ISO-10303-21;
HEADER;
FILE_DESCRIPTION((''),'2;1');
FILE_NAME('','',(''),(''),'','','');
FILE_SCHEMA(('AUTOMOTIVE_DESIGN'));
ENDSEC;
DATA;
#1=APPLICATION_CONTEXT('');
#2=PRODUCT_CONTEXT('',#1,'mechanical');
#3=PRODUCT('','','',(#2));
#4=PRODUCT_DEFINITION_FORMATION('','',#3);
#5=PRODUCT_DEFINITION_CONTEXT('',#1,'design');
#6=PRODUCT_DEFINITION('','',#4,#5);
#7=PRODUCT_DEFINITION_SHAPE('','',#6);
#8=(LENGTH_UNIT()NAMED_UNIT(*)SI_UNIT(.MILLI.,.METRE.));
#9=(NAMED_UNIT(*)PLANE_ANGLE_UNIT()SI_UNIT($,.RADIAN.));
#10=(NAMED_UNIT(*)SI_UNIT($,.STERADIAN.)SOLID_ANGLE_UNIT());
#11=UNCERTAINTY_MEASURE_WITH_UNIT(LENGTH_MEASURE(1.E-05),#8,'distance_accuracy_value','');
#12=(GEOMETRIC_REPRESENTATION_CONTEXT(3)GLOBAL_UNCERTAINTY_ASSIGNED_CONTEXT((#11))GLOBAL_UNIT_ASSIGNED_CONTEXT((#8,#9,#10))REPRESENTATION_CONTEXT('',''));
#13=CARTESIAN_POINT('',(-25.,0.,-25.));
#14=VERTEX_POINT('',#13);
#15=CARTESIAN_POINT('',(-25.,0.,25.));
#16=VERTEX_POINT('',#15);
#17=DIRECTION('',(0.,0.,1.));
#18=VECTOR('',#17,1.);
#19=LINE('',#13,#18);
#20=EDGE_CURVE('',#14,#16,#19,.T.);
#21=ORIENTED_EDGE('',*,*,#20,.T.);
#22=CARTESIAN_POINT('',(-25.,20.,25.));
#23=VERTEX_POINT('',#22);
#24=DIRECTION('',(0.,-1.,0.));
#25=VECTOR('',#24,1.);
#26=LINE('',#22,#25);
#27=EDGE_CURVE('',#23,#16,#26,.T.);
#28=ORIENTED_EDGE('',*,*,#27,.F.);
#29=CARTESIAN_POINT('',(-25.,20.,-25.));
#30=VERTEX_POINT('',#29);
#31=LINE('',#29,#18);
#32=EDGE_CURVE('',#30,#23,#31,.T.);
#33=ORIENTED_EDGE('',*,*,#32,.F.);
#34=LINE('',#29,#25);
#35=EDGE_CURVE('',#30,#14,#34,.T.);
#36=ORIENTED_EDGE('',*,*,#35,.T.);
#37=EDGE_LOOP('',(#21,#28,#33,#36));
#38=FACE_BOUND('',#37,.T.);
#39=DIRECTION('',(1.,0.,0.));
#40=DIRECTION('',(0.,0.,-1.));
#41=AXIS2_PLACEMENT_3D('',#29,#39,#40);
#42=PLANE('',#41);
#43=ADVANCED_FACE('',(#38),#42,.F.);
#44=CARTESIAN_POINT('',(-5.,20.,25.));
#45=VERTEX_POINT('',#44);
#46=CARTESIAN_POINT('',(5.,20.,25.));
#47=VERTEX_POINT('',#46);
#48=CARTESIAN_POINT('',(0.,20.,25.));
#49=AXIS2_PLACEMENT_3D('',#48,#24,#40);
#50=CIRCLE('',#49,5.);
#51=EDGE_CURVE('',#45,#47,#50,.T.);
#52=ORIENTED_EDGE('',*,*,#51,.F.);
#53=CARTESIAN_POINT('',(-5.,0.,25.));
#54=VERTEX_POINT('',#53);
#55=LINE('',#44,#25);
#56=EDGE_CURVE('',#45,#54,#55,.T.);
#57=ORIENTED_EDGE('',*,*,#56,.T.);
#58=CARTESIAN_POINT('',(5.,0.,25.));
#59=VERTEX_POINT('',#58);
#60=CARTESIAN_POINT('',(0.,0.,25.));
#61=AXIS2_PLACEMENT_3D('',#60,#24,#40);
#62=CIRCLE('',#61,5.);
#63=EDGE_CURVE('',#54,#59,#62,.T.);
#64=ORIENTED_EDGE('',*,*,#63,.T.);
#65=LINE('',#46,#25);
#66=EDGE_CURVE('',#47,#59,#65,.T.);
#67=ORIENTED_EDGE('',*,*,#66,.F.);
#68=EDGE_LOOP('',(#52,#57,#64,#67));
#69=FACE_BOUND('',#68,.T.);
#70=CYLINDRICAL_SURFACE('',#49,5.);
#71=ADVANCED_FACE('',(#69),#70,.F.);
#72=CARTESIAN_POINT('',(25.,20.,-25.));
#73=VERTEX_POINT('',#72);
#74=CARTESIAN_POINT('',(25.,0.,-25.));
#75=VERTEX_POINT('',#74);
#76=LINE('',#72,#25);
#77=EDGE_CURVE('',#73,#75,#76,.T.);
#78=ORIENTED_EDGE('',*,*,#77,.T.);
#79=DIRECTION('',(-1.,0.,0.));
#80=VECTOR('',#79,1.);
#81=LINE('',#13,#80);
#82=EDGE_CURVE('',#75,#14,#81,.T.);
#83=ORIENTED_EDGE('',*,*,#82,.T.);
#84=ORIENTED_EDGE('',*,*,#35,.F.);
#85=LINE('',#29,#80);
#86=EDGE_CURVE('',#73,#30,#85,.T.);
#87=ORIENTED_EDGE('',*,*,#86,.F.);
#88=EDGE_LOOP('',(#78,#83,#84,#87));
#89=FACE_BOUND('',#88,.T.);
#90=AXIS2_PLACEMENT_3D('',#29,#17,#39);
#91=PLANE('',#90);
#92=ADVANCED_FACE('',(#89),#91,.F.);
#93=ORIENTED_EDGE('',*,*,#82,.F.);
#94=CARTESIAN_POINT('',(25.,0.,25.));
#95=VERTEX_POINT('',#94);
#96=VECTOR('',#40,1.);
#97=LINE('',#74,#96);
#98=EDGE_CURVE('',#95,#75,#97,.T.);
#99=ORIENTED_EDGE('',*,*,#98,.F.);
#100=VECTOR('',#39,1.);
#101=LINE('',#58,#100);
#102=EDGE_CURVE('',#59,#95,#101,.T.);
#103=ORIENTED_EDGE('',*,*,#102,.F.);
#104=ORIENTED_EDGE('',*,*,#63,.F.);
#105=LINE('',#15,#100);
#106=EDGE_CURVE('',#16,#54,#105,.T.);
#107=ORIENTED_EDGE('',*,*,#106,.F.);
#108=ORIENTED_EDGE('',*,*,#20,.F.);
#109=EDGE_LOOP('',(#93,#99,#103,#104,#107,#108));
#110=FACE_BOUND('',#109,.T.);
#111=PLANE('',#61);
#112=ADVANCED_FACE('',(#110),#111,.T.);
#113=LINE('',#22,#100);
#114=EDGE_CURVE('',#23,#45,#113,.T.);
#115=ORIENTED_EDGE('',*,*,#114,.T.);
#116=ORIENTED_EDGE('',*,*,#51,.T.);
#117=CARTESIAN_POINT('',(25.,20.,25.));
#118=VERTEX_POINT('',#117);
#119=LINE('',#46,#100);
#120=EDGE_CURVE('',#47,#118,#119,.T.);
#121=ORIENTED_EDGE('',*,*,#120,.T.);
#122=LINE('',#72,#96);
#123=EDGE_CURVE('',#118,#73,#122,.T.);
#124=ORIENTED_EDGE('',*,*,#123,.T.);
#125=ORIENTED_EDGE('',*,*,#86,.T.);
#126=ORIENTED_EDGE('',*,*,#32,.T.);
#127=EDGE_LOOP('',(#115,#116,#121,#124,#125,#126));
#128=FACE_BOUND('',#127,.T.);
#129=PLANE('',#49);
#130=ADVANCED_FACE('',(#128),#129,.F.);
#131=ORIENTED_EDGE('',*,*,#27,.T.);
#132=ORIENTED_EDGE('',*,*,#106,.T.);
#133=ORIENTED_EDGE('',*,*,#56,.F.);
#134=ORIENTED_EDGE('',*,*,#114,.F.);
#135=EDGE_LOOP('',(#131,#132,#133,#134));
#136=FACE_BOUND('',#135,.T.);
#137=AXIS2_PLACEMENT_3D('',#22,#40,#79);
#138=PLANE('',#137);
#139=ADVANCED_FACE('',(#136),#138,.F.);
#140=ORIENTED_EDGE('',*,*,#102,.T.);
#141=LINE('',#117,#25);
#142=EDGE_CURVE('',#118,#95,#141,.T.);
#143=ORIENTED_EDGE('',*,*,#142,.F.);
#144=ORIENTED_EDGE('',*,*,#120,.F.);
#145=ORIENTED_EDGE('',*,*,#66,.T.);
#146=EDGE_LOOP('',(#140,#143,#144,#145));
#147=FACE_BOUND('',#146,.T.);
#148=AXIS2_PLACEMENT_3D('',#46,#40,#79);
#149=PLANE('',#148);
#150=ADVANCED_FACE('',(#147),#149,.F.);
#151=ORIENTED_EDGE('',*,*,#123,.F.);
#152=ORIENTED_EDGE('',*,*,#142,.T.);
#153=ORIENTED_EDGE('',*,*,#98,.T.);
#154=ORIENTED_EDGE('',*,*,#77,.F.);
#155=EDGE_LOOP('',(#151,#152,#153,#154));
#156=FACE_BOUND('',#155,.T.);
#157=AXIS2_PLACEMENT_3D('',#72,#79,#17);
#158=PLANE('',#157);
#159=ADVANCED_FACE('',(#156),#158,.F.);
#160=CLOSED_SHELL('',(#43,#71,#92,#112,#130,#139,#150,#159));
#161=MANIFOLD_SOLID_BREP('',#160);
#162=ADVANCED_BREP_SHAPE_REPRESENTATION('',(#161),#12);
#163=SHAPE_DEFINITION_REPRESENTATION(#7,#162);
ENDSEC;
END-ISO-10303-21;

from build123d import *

# Parameters (mm, degrees)
BOSS_EXTRUDE3_DEPTH = 20


with BuildPart() as part:
    # Sketch15 → Boss-Extrude3 (new body)
    with BuildSketch(Plane(origin=(0, 0, 0), x_dir=(1, 0, 0), z_dir=(0, 1, 0))):
        with BuildLine():
            Line((5, -25), (25, -25))
            Line((25, -25), (25, 25))
            Line((25, 25), (-25, 25))
            Line((-25, 25), (-25, -25))
            Line((-25, -25), (-5, -25))
            ThreePointArc((-5, -25), (0, -20), (5, -25))
        make_face()
    extrude(amount=BOSS_EXTRUDE3_DEPTH)


solid = part.part
